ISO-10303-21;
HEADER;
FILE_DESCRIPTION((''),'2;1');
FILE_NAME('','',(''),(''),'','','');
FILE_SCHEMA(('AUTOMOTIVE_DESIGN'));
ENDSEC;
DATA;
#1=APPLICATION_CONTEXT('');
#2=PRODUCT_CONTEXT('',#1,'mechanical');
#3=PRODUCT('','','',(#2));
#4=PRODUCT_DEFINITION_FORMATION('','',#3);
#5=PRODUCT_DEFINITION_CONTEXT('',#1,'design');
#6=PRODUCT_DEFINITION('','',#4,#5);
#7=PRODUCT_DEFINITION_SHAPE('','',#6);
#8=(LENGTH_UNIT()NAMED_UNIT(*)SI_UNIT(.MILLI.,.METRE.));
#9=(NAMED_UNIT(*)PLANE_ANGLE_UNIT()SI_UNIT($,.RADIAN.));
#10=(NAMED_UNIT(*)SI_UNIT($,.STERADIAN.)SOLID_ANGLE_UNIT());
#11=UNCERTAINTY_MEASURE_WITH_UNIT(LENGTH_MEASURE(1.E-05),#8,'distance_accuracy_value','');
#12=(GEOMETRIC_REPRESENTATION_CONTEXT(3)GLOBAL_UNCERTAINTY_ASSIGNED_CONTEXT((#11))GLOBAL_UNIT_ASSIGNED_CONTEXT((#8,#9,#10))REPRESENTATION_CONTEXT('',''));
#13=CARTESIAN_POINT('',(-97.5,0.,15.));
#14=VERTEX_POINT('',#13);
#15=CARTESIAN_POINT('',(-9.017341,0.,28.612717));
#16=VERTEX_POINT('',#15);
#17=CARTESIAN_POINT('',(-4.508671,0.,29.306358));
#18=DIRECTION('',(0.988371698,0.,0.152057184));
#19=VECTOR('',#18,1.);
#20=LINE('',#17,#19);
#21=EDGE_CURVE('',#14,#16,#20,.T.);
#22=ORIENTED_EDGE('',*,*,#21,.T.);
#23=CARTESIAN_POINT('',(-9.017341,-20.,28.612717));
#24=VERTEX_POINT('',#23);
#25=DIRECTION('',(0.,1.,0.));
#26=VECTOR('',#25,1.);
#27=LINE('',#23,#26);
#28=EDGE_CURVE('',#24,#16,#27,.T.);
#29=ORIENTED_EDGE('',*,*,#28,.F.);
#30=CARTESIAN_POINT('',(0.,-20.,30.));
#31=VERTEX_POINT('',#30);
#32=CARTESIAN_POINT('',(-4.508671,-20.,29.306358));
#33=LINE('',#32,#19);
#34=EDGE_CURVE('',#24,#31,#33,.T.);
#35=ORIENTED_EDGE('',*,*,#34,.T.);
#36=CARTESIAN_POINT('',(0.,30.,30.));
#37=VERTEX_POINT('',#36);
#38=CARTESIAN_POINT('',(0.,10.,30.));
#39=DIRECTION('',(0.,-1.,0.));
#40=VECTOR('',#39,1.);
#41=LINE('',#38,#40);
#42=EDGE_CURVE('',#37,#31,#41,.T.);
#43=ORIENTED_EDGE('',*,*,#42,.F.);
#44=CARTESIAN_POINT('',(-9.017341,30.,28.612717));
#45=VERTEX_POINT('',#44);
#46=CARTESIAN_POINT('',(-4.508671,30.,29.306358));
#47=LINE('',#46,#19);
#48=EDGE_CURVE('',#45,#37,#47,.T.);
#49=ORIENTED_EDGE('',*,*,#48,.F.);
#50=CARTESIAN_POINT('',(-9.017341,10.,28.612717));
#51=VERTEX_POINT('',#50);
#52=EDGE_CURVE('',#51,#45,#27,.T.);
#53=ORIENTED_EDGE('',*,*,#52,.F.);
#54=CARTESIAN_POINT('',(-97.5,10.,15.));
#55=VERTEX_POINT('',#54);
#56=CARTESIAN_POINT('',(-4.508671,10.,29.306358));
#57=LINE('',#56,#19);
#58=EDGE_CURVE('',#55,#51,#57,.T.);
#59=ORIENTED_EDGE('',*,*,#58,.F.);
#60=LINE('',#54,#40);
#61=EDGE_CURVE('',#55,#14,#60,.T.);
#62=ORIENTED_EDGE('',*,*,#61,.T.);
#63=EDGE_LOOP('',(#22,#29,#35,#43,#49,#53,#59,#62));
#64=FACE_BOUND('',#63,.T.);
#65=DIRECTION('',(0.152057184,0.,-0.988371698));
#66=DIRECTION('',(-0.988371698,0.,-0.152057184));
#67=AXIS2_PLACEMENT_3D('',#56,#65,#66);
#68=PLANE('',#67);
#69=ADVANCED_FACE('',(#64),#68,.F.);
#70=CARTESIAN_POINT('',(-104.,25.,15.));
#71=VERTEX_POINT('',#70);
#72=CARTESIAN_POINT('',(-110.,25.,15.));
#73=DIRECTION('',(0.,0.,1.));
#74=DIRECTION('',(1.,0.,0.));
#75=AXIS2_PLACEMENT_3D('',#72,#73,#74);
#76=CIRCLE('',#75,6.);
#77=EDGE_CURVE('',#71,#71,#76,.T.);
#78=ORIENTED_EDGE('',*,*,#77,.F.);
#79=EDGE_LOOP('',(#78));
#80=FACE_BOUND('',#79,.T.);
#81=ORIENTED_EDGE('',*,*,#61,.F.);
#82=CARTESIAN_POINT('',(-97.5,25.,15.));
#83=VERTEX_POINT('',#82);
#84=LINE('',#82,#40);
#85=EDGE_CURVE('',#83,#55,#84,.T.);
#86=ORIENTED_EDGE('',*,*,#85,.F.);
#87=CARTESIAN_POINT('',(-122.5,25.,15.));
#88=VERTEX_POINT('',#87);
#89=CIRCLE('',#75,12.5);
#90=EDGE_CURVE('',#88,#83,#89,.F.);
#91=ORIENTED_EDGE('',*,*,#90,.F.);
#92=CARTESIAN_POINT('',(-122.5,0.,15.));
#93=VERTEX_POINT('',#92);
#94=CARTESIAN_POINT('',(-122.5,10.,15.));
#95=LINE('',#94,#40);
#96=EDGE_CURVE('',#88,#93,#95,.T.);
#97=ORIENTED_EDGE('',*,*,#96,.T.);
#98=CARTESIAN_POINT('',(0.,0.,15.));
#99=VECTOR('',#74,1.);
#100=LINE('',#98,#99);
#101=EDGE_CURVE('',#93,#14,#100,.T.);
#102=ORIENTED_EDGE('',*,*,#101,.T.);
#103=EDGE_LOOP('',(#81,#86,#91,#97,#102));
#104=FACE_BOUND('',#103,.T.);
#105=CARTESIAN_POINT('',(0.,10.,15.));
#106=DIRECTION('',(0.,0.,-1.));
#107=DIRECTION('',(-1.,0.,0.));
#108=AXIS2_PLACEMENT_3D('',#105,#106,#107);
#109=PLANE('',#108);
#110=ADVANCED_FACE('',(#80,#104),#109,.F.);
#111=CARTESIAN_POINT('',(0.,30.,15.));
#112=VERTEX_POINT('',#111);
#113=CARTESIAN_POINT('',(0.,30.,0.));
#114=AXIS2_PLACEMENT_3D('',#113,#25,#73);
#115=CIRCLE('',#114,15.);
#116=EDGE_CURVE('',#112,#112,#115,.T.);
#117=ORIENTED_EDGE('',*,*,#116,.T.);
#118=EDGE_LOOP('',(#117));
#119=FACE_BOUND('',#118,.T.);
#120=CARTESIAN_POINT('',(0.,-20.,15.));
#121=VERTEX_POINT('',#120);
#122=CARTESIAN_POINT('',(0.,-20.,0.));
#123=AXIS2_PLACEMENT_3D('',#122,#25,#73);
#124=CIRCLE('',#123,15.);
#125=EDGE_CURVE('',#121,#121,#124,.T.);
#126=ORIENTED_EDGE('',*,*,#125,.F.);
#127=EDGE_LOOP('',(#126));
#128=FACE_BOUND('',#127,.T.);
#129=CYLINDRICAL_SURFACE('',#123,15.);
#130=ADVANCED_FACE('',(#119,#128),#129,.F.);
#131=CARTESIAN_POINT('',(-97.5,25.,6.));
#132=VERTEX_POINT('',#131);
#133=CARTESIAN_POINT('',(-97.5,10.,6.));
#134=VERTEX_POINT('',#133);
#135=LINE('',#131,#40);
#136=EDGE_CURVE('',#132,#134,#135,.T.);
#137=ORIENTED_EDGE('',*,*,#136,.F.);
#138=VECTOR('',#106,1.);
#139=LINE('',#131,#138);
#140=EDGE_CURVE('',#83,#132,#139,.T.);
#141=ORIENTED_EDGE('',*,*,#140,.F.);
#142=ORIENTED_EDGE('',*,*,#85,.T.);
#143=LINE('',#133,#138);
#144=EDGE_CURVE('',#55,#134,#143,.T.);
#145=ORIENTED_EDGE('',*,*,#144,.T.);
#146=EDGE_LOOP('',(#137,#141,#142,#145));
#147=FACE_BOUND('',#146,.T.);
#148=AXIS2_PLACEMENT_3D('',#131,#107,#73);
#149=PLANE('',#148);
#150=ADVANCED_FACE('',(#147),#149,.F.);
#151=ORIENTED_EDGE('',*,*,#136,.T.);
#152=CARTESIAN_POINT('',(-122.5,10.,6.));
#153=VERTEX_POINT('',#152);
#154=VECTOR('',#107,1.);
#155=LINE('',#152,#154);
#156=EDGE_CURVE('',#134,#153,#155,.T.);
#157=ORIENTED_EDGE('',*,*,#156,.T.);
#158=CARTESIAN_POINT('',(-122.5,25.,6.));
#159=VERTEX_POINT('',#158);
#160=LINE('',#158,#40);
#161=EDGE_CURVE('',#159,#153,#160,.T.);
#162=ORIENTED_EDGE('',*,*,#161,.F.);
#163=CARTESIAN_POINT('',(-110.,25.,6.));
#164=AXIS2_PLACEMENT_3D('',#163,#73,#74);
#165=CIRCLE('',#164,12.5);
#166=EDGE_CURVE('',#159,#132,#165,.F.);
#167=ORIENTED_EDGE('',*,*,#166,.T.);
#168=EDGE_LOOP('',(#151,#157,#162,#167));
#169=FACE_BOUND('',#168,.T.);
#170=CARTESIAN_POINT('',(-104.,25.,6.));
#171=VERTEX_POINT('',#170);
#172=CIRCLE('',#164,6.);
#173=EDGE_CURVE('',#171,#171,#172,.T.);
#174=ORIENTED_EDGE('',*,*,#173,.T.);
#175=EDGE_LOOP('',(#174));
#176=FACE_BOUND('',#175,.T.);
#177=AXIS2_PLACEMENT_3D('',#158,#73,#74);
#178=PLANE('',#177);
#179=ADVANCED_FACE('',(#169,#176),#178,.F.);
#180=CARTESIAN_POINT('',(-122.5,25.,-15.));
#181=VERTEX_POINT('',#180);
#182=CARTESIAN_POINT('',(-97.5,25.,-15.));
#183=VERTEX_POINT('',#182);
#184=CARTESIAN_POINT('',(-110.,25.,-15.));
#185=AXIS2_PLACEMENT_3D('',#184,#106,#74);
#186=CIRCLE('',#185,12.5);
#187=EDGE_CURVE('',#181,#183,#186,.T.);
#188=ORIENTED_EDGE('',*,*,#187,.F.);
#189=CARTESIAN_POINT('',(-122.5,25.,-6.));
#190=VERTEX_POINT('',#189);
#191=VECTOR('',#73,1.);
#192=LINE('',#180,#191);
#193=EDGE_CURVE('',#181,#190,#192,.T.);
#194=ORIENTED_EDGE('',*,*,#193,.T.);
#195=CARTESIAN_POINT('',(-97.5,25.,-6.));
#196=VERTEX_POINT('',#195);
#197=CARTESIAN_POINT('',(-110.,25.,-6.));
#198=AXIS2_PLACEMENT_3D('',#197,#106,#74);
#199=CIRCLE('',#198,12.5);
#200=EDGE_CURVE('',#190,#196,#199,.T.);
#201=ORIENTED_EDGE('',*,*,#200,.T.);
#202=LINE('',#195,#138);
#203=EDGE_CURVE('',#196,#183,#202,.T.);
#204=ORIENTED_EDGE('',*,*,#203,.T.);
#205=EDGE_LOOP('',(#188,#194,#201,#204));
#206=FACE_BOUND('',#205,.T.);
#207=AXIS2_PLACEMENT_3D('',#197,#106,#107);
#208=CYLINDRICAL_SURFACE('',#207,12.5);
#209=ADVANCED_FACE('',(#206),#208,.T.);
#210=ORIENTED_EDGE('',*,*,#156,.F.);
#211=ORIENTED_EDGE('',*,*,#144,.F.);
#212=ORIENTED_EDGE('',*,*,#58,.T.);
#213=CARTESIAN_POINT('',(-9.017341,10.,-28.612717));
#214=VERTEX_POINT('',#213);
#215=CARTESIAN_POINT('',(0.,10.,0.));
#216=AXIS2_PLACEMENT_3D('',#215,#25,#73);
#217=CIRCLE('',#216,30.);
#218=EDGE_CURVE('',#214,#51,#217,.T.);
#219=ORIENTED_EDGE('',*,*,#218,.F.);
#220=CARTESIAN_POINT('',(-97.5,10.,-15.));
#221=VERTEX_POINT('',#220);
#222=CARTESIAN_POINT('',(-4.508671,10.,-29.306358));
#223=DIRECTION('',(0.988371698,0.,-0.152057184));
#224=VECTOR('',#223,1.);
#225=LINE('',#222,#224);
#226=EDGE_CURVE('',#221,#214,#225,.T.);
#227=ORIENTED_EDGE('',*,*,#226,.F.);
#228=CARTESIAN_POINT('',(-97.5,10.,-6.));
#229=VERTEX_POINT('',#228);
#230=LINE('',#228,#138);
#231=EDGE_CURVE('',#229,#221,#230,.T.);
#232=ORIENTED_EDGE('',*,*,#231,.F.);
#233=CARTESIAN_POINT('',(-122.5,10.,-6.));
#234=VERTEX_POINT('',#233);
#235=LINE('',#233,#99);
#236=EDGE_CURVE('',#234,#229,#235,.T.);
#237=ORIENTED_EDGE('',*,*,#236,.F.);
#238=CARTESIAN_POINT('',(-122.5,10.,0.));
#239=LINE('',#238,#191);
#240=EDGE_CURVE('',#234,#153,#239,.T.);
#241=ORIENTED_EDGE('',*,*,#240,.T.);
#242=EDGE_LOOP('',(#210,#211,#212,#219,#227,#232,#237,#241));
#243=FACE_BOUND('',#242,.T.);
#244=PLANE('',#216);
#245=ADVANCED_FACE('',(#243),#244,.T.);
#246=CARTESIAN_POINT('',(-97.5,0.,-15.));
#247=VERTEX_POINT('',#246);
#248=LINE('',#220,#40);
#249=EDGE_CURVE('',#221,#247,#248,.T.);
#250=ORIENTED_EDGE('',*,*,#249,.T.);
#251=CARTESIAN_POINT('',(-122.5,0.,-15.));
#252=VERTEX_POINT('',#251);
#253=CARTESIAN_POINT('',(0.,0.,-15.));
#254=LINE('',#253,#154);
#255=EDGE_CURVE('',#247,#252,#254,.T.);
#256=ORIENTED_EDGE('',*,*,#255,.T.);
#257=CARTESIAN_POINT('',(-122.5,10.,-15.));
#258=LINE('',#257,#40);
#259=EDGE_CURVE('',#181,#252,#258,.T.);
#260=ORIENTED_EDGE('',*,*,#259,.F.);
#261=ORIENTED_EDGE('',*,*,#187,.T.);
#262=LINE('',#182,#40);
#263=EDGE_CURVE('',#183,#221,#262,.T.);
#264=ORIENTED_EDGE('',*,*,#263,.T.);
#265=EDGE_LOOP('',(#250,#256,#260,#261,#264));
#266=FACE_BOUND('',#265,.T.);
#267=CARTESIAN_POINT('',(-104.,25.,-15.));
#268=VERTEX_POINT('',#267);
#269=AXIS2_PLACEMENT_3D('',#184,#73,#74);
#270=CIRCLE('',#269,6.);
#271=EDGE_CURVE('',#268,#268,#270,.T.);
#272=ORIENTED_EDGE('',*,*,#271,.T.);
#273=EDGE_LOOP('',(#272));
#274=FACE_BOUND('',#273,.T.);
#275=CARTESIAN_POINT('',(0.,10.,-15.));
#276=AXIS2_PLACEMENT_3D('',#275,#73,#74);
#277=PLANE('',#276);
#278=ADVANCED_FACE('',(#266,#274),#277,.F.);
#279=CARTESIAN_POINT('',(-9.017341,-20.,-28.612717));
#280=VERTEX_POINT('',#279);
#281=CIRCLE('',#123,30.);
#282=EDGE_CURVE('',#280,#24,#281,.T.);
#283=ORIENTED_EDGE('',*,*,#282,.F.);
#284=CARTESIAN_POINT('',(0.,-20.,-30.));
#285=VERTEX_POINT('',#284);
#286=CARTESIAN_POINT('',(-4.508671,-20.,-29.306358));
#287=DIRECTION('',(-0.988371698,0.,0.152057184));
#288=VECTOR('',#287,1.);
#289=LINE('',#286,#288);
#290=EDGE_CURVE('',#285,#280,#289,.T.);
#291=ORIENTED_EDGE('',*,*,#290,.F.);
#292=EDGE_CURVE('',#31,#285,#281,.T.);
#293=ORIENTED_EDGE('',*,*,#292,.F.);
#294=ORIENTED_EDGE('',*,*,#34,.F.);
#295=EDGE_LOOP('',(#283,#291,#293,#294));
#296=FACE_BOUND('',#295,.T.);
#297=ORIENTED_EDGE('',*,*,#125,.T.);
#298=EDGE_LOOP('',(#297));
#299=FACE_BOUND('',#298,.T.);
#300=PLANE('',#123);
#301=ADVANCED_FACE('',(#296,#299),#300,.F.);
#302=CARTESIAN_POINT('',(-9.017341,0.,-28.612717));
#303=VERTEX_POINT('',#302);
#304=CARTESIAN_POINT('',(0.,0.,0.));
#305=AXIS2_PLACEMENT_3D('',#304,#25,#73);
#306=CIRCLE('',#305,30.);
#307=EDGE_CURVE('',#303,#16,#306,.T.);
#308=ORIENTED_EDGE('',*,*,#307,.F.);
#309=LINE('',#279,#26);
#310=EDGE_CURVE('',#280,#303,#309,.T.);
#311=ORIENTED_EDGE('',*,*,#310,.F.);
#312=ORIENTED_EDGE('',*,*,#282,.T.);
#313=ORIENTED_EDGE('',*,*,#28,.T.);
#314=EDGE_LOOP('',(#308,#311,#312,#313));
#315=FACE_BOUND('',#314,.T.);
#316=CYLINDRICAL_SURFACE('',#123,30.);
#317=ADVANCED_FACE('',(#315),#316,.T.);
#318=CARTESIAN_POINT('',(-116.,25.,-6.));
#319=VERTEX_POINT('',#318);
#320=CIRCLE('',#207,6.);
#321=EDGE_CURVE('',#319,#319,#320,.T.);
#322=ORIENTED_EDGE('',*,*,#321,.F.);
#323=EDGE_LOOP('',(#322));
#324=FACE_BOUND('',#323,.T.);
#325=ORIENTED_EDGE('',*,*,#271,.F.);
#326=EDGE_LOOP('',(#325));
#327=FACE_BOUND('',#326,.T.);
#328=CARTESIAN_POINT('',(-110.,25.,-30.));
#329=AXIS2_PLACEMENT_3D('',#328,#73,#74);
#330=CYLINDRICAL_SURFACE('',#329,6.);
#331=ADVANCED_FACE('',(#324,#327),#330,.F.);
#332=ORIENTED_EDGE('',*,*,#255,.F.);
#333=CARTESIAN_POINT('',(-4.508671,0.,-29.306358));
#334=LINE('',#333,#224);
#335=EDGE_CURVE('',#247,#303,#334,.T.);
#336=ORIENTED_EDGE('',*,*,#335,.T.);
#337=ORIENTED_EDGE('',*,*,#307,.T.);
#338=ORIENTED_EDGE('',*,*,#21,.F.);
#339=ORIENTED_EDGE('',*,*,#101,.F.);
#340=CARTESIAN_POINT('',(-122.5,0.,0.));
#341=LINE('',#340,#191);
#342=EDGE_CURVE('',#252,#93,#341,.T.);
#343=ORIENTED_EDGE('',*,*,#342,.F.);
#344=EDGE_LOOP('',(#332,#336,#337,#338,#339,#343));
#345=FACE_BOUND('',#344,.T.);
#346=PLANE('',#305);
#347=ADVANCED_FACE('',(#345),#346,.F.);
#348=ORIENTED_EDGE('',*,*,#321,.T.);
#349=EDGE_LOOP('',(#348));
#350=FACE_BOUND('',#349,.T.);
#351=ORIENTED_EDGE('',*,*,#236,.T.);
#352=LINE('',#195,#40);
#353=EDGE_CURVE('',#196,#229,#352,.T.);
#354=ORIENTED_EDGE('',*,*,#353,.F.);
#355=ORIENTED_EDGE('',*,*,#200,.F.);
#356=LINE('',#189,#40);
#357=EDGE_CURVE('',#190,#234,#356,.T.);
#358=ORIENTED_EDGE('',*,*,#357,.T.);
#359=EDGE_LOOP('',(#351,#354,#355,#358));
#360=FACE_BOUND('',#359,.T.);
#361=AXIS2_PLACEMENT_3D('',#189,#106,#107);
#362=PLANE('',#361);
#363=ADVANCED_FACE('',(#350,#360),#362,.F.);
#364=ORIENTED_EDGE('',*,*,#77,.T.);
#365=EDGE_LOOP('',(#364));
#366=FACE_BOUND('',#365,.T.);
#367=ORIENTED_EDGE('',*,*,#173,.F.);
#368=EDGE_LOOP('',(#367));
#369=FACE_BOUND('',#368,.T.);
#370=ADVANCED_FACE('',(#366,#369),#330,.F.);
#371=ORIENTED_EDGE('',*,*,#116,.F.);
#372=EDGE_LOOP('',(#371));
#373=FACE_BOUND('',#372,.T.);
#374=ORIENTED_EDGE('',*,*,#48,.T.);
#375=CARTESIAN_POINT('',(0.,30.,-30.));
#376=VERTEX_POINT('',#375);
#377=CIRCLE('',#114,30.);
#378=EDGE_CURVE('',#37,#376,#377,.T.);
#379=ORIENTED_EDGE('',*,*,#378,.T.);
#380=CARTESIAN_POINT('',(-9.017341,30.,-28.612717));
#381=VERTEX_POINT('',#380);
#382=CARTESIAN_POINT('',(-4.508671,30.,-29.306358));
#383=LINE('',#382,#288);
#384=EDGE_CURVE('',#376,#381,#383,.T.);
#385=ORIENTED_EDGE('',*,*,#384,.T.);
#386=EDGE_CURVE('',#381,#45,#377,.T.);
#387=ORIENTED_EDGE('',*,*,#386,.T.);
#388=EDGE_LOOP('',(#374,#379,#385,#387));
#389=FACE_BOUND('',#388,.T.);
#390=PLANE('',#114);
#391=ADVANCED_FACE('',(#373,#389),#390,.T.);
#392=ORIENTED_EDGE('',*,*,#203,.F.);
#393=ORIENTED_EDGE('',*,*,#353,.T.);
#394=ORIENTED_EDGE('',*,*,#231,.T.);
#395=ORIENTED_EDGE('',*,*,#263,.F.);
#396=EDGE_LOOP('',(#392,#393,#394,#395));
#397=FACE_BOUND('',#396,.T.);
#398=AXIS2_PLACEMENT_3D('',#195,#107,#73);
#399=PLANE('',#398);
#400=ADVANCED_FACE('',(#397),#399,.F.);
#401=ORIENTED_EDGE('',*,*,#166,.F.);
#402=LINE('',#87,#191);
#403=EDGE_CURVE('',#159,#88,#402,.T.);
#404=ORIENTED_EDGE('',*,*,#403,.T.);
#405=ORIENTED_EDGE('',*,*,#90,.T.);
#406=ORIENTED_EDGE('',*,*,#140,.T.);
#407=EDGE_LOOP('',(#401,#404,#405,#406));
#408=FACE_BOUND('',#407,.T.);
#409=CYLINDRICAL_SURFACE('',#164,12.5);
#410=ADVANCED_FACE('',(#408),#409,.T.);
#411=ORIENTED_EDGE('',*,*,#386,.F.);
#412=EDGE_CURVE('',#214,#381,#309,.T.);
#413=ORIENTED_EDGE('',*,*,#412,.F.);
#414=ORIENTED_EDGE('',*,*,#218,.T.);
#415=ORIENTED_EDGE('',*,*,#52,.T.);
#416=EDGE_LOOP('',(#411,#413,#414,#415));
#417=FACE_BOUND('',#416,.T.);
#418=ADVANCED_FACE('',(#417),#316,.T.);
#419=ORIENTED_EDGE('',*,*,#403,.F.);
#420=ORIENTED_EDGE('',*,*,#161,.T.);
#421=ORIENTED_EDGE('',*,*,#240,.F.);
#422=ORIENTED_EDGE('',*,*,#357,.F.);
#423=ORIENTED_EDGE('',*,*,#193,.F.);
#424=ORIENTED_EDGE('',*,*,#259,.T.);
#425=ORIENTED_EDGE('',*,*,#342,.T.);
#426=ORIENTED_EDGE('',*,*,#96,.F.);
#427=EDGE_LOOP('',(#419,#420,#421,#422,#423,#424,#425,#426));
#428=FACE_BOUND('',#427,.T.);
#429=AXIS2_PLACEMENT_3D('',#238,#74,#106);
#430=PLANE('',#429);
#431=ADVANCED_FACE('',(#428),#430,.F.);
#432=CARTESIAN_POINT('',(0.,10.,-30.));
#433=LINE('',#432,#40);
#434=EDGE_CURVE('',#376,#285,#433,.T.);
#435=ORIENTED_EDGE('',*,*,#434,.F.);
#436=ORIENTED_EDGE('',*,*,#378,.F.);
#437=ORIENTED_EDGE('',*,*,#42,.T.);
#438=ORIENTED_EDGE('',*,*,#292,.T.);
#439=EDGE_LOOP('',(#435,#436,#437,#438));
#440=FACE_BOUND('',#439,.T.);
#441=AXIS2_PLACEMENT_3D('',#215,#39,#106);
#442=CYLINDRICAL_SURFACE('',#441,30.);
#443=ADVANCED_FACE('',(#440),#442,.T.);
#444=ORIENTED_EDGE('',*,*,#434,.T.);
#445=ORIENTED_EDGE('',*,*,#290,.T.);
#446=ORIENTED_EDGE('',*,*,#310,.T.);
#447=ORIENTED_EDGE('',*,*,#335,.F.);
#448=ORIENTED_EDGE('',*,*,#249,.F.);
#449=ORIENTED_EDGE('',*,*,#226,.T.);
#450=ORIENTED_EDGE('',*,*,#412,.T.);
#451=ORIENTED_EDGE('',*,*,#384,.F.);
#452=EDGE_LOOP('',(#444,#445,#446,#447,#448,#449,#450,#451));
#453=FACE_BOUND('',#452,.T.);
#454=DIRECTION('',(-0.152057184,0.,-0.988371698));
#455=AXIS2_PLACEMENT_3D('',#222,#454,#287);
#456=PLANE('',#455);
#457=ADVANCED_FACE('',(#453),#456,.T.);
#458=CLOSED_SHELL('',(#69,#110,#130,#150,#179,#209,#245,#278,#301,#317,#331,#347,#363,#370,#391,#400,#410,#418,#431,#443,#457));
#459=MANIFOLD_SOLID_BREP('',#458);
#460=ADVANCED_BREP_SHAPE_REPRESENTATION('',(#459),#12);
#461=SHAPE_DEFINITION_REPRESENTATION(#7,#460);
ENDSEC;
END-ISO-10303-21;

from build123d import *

# Parameters (mm, degrees)
BOSS_EXTRUDE2_DEPTH      = 10
BOSS_EXTRUDE3_DEPTH      = 20
BOSS_EXTRUDE3_DEPTH_BACK = 30
SKETCH4_R                = 15
CUT_EXTRUDE1_DEPTH       = 51
SKETCH5_W                = 25
SKETCH5_H                = 9
BOSS_EXTRUDE4_DEPTH      = 15
BOSS_EXTRUDE5_DEPTH      = 9
BOSS_EXTRUDE6_DEPTH      = 9
SKETCH8_R                = 6
CUT_EXTRUDE2_DEPTH       = 46


with BuildPart() as part:
    # Sketch1 → Boss-Extrude2 (new body)
    with BuildSketch(Plane(origin=(0, 0, 0), x_dir=(1, 0, 0), z_dir=(0, 1, 0))):
        with BuildLine():
            Line((-9.01734104, 28.612716763), (-97.5, 15))
            Line((-97.5, 15), (-122.5, 15))
            Line((-122.5, 15), (-122.5, -15))
            Line((-122.5, -15), (-97.5, -15))
            Line((-97.5, -15), (-9.01734104, -28.612716763))
            ThreePointArc((-9.01734104, -28.612716763), (-30, 0), (-9.01734104, 28.612716763))
        make_face()
        with BuildLine():
            Line((0, 30), (-9.01734104, 28.612716763))
            ThreePointArc((-9.01734104, 28.612716763), (-30, 0), (-9.01734104, -28.612716763))
            Line((-9.01734104, -28.612716763), (0, -30))
            ThreePointArc((0, -30), (21.213203436, -21.213203436), (30, 0))
            ThreePointArc((30, 0), (21.213203436, 21.213203436), (0, 30))
        make_face()
    extrude(amount=BOSS_EXTRUDE2_DEPTH)

    # Sketch3 → Boss-Extrude3 (add, two sides)
    with BuildSketch(Plane(origin=(0, 10, 0), x_dir=(1, 0, 0), z_dir=(0, 1, 0))) as boss_extrude3_sk:
        with BuildLine():
            Line((0, 30), (-9.01734104, 28.612716763))
            ThreePointArc((-9.01734104, 28.612716763), (-30, 0), (-9.01734104, -28.612716763))
            Line((-9.01734104, -28.612716763), (0, -30))
            ThreePointArc((0, -30), (21.213203436, -21.213203436), (30, 0))
            ThreePointArc((30, 0), (21.213203436, 21.213203436), (0, 30))
        make_face()
    extrude(amount=BOSS_EXTRUDE3_DEPTH)
    extrude(boss_extrude3_sk.sketch, amount=-BOSS_EXTRUDE3_DEPTH_BACK)

    # Sketch4 → Cut-Extrude1 (cut, through all)
    with BuildSketch(Plane(origin=(0, 30, 0), x_dir=(1, 0, 0), z_dir=(0, 1, 0))):
        Circle(SKETCH4_R)
    extrude(amount=-CUT_EXTRUDE1_DEPTH, mode=Mode.SUBTRACT)

    # Sketch5 → Boss-Extrude4 (add)
    with BuildSketch(Plane(origin=(0, 10, 0), x_dir=(1, 0, 0), z_dir=(0, 1, 0))):
        with Locations((-110, 10.5)):
            Rectangle(SKETCH5_W, SKETCH5_H)
        with Locations((-110, -10.5)):
            Rectangle(SKETCH5_W, SKETCH5_H)
    extrude(amount=BOSS_EXTRUDE4_DEPTH)

    # Sketch6 → Boss-Extrude5 (add)
    with BuildSketch(Plane.XY.offset(15)):
        with BuildLine():
            ThreePointArc((-122.5, 25), (-110, 37.5), (-97.5, 25))
            Line((-97.5, 25), (-122.5, 25))
        make_face()
    extrude(amount=-BOSS_EXTRUDE5_DEPTH)

    # Sketch7 → Boss-Extrude6 (add)
    with BuildSketch(Plane(origin=(0, 0, -15), x_dir=(-1, 0, 0), z_dir=(0, 0, -1))):
        with BuildLine():
            Line((97.5, 25), (122.5, 25))
            ThreePointArc((122.5, 25), (110, 37.5), (97.5, 25))
        make_face()
    extrude(amount=-BOSS_EXTRUDE6_DEPTH)

    # Sketch8 → Cut-Extrude2 (cut, through all)
    with BuildSketch(Plane.XY.offset(15)):
        with Locations((-110, 25)):
            Circle(SKETCH8_R)
    extrude(amount=-CUT_EXTRUDE2_DEPTH, mode=Mode.SUBTRACT)


solid = part.part
